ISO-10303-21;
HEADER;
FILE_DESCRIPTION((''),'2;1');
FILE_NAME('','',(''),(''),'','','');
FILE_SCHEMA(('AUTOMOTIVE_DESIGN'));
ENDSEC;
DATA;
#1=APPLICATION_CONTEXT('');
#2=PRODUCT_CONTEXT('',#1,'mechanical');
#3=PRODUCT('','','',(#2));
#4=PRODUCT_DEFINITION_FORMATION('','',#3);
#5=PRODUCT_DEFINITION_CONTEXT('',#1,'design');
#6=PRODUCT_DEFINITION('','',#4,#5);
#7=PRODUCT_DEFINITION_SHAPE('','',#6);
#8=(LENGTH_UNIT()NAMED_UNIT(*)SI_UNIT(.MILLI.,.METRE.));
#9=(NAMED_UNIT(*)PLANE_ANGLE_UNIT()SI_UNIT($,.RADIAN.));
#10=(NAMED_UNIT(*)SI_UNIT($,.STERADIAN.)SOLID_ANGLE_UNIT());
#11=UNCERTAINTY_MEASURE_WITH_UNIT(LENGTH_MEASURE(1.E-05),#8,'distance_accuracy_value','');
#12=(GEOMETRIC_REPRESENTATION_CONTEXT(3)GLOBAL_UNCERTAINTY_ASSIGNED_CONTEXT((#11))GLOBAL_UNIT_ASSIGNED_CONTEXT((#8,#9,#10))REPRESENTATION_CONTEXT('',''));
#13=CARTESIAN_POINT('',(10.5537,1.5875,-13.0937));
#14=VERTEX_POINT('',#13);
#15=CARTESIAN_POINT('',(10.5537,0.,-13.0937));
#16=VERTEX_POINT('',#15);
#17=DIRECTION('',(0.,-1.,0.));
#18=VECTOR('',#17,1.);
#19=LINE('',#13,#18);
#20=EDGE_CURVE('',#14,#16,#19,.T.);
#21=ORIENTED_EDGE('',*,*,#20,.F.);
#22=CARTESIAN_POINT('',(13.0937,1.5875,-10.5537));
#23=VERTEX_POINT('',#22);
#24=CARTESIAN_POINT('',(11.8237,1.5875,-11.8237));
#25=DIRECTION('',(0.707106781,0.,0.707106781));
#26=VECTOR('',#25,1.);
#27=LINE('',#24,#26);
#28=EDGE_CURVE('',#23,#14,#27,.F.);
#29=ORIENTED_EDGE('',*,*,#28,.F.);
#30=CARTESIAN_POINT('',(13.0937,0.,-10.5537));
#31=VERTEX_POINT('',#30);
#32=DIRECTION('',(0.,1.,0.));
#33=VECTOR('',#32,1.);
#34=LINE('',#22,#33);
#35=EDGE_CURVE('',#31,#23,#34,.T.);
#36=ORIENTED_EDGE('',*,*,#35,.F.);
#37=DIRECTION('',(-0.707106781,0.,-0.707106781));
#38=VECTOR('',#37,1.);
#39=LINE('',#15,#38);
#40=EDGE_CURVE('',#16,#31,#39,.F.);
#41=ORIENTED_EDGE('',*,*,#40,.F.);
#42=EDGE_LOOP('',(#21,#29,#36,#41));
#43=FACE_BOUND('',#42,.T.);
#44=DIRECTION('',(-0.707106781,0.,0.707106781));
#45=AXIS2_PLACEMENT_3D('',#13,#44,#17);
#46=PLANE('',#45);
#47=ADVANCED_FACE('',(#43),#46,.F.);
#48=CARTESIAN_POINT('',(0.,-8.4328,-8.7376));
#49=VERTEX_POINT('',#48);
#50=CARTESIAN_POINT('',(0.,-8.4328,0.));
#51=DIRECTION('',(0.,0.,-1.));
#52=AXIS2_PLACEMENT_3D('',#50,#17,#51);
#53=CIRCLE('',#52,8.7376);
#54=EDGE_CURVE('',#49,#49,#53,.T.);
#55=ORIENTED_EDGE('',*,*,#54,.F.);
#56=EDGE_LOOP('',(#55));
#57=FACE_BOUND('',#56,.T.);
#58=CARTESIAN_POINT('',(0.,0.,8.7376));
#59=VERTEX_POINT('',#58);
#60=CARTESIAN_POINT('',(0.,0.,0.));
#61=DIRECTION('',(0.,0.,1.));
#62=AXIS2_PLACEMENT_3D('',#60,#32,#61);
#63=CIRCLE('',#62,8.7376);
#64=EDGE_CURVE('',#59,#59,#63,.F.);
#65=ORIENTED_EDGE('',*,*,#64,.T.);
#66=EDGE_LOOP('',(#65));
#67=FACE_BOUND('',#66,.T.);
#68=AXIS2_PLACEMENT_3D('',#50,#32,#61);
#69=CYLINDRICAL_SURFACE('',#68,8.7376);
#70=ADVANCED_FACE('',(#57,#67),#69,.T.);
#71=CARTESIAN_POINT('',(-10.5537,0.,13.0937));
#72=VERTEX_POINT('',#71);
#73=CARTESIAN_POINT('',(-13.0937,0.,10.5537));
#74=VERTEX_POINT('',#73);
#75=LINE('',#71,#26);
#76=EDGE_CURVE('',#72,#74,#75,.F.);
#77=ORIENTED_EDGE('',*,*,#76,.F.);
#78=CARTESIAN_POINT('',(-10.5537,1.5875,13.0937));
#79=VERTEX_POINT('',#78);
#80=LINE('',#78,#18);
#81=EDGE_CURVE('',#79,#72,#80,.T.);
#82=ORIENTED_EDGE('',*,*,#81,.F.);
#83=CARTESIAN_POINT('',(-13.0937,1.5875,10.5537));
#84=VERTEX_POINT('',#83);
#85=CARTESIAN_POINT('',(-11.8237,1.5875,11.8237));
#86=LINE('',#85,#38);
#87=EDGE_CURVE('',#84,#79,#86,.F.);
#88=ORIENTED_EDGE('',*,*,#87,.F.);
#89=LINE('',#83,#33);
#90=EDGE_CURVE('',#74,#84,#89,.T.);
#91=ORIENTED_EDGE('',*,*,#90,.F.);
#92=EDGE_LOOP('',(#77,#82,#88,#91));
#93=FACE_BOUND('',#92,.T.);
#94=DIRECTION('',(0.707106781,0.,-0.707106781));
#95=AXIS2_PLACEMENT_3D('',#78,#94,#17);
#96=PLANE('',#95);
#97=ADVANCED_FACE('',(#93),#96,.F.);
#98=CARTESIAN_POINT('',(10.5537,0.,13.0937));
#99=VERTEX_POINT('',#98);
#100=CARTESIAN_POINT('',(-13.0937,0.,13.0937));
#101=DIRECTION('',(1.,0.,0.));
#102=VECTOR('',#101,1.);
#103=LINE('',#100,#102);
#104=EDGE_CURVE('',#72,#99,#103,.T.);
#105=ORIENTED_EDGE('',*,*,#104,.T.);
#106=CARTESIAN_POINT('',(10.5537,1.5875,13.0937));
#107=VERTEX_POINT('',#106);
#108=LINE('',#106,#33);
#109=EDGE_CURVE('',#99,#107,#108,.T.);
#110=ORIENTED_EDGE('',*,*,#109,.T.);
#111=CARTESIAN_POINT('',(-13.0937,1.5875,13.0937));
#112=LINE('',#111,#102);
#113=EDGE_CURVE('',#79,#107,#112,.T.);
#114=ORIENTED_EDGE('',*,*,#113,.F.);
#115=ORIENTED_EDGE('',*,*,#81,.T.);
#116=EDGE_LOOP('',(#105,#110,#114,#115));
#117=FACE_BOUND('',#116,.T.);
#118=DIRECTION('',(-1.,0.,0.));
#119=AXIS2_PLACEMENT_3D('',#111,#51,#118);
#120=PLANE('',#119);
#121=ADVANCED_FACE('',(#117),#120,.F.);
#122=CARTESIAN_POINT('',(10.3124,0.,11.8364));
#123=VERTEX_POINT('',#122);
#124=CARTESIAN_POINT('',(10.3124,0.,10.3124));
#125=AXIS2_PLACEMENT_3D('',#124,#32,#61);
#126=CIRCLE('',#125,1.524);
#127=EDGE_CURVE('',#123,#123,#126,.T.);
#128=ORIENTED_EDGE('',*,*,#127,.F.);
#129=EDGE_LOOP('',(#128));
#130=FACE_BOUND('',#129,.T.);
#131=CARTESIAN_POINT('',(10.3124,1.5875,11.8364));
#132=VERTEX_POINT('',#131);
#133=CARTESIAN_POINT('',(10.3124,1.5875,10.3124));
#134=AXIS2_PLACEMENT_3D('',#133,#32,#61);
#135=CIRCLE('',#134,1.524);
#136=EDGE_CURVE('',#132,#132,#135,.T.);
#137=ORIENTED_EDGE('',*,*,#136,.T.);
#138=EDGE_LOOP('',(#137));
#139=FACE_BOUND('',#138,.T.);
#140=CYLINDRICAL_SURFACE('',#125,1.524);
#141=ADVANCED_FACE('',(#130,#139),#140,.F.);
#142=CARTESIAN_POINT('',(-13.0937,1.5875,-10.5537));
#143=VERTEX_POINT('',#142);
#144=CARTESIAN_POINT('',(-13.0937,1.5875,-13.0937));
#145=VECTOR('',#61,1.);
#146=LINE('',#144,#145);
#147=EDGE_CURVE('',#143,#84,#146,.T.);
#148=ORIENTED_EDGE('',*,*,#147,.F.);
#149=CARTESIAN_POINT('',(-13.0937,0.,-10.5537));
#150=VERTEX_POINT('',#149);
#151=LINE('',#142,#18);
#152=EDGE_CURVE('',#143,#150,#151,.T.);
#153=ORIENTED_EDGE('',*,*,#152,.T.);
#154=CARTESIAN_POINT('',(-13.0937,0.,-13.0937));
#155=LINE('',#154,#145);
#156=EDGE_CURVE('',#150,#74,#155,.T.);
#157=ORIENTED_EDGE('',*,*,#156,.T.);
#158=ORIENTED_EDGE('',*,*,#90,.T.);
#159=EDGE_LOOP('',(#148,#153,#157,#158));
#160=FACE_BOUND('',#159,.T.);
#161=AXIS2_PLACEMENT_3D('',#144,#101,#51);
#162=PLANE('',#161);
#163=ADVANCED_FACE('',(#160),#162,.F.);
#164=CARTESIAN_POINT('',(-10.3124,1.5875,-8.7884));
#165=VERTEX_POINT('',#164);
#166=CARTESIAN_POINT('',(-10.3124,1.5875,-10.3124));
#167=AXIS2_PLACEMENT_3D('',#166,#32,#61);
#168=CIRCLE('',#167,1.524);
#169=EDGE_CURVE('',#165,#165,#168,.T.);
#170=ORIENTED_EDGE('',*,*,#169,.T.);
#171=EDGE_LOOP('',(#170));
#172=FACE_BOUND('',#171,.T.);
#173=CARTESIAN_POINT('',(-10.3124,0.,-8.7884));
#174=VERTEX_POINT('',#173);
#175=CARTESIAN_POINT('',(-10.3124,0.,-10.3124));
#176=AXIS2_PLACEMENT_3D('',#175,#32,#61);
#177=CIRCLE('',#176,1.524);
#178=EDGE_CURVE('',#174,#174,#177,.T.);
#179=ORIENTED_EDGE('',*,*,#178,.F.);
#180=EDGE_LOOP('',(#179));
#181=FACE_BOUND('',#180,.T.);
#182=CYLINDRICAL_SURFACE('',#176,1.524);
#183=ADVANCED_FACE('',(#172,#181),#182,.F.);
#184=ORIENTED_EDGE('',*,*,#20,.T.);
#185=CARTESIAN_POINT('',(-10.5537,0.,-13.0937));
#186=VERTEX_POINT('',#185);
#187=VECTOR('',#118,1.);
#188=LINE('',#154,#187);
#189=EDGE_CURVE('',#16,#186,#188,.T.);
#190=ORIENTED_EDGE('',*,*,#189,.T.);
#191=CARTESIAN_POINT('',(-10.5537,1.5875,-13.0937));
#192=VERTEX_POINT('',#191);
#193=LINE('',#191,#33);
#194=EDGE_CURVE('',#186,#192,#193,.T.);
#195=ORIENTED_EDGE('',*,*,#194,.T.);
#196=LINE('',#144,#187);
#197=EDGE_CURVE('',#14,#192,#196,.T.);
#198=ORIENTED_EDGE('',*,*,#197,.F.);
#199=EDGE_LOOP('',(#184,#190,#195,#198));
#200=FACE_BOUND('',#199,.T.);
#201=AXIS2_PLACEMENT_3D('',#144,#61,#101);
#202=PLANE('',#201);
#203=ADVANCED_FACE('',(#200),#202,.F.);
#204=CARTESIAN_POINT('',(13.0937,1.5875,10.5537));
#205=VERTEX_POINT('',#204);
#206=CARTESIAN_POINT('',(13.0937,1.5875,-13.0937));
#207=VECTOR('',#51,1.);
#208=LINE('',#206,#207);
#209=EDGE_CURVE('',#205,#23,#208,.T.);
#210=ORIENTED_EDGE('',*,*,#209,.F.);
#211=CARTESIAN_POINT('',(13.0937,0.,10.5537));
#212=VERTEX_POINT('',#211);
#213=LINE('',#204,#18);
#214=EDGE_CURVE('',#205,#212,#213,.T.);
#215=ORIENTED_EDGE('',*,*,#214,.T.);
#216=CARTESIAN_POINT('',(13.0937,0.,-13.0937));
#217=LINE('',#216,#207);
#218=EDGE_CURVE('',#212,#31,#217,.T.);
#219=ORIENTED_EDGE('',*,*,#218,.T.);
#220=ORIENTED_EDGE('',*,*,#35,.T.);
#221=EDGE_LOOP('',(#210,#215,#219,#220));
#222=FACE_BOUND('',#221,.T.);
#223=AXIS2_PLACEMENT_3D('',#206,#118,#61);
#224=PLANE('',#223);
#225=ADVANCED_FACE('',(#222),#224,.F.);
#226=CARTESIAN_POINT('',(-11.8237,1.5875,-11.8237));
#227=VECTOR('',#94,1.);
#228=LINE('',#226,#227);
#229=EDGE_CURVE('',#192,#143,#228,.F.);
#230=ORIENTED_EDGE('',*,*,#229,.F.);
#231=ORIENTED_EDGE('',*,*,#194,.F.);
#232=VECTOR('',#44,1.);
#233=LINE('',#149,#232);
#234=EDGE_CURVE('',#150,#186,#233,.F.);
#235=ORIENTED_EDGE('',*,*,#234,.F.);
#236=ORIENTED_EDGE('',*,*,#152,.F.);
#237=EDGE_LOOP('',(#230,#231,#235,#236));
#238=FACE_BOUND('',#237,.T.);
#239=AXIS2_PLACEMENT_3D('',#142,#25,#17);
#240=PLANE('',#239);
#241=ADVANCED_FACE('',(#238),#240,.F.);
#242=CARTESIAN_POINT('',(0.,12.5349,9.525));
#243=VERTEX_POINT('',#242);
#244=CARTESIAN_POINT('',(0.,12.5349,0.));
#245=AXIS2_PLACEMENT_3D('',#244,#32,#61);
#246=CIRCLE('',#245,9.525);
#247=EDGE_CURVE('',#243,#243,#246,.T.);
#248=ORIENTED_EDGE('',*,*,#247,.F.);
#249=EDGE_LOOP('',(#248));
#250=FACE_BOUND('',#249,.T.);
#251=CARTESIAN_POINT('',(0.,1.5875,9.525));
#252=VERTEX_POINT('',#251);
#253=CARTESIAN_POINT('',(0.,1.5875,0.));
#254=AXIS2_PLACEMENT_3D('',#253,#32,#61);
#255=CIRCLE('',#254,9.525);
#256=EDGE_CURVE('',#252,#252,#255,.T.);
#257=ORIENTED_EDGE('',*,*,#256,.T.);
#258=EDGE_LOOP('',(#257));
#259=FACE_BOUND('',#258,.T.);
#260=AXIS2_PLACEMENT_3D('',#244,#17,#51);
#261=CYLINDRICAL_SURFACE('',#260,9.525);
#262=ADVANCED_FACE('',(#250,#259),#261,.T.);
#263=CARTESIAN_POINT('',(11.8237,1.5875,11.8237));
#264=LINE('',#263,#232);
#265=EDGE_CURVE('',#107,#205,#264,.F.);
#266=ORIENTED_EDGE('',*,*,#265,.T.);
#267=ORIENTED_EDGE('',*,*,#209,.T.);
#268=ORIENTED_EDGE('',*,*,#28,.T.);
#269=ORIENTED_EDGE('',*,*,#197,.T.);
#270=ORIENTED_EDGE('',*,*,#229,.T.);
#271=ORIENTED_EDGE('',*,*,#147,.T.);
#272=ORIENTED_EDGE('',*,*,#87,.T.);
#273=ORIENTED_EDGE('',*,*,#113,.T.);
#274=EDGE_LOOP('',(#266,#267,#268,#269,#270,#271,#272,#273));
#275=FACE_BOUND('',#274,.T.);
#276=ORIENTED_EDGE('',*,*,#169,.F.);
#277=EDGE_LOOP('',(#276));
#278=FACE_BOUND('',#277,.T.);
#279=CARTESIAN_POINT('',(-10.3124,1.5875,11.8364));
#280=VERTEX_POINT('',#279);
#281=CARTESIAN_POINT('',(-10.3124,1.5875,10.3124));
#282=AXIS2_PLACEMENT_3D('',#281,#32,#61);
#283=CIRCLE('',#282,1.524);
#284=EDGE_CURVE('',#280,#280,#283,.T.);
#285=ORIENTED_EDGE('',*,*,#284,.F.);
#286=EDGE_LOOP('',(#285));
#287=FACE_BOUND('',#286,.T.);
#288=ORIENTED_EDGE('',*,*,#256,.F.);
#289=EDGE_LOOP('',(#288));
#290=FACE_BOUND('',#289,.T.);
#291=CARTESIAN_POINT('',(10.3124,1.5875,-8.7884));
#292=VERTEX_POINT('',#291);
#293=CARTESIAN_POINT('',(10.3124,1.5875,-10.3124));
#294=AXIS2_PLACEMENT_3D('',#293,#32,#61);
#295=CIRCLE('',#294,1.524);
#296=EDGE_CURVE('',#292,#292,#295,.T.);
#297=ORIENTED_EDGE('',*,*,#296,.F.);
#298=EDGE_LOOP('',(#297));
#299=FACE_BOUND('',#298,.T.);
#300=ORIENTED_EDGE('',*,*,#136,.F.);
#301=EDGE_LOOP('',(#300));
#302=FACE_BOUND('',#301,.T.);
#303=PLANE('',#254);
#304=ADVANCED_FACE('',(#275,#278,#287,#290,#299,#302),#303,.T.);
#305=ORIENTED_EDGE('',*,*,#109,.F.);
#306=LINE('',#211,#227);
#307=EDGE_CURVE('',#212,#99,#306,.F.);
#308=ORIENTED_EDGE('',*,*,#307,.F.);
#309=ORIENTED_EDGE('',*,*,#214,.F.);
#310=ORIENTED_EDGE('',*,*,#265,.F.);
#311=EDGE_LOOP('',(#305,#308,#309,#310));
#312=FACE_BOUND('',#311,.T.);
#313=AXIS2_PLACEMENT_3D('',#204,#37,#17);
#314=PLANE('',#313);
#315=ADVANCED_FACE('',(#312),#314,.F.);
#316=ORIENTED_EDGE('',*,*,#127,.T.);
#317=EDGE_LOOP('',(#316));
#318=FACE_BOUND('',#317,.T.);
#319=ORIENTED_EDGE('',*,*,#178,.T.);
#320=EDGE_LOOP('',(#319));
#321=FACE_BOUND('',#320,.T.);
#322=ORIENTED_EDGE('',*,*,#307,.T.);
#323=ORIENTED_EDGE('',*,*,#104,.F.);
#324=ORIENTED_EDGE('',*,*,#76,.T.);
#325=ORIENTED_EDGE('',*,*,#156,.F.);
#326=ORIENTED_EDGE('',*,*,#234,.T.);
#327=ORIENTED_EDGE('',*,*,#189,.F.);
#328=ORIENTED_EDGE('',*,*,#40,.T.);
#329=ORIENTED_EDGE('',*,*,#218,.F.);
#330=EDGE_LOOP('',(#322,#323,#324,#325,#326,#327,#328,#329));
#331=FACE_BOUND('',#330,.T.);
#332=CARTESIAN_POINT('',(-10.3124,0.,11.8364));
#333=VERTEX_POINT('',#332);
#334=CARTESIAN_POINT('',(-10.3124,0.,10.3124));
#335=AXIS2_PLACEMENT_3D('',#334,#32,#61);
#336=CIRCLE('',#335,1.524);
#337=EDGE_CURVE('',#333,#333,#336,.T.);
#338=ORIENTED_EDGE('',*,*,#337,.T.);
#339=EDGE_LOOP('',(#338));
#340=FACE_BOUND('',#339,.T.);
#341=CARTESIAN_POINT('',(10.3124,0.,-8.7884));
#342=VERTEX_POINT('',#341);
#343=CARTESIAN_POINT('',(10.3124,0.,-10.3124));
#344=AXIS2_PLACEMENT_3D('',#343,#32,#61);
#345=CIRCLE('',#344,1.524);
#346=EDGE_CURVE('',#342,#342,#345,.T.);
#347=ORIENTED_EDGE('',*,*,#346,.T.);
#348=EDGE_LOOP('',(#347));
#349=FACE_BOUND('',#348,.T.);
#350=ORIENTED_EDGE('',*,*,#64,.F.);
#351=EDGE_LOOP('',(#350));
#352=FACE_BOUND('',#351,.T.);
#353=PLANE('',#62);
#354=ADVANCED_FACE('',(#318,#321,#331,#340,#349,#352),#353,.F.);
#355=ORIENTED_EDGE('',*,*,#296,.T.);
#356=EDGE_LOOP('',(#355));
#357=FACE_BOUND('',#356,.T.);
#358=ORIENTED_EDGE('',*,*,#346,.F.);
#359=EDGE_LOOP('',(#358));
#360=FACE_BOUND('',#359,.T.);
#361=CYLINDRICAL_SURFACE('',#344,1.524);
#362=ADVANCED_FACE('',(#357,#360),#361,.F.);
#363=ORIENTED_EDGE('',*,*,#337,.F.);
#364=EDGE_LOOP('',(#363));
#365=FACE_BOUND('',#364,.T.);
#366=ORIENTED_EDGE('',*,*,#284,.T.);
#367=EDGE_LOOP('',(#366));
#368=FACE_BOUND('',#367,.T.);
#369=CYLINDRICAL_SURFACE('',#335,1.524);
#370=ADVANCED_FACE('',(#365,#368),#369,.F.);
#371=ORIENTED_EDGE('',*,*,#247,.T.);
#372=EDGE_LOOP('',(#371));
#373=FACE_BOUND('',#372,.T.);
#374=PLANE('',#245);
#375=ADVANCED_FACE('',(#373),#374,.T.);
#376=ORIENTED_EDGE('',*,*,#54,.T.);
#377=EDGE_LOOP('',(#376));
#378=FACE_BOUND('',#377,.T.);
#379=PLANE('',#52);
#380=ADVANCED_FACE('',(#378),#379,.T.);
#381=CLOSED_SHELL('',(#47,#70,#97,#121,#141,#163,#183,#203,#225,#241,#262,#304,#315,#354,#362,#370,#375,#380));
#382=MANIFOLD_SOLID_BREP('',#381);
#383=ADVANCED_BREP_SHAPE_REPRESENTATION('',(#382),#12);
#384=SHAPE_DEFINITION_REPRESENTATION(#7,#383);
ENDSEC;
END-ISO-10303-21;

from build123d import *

# Parameters (mm, degrees)
SKETCH1_W           = 26.1874
SKETCH1_H           = 26.1874
BOSS_EXTRUDE1_DEPTH = 1.5875
CHAMFER1_SIZE       = 2.54
SKETCH2_R           = 1.524
CUT_EXTRUDE1_DEPTH  = 19.585212284
SKETCH3_R           = 9.525
BOSS_EXTRUDE2_DEPTH = 10.9474
SKETCH4_R           = 8.7376
BOSS_EXTRUDE3_DEPTH = 8.4328


with BuildPart() as part:
    # Sketch1 → Boss-Extrude1 (new body)
    with BuildSketch(Plane(origin=(0, 0, 0), x_dir=(1, 0, 0), z_dir=(0, 1, 0))):
        Rectangle(SKETCH1_W, SKETCH1_H)
    extrude(amount=BOSS_EXTRUDE1_DEPTH)

    # Chamfer1
    chamfer1_edges = [part.edges().sort_by_distance(p)[0] for p in [
        (13.0937, 0.79375, 13.0937),
        (-13.0937, 0.79375, 13.0937),
        (-13.0937, 0.79375, -13.0937),
        (13.0937, 0.79375, -13.0937),
    ]]
    chamfer(chamfer1_edges, length=CHAMFER1_SIZE)

    # Sketch2 → Cut-Extrude1 (cut, through all)
    with BuildSketch(Plane(origin=(0, 1.5875, 0), x_dir=(1, 0, 0), z_dir=(0, 1, 0))):
        with Locations(Location((-10.3124, 10.3124, 0), (0, 0, 270))):
            Circle(SKETCH2_R)
        with Locations(Location((10.3124, 10.3124, 0), (0, 0, 270))):
            Circle(SKETCH2_R)
        with Locations(Location((10.3124, -10.3124, 0), (0, 0, 270))):
            Circle(SKETCH2_R)
        with Locations(Location((-10.3124, -10.3124, 0), (0, 0, 270))):
            Circle(SKETCH2_R)
    extrude(amount=-CUT_EXTRUDE1_DEPTH, mode=Mode.SUBTRACT)

    # Sketch3 → Boss-Extrude2 (add)
    with BuildSketch(Plane(origin=(0, 1.5875, 0), x_dir=(1, 0, 0), z_dir=(0, 1, 0))):
        with Locations(Location((0, 0, 0), (0, 0, 270))):
            Circle(SKETCH3_R)
    extrude(amount=BOSS_EXTRUDE2_DEPTH)

    # Sketch4 → Boss-Extrude3 (add)
    with BuildSketch(Plane.XZ):
        with Locations(Location((0, 0, 0), (0, 0, 90))):
            Circle(SKETCH4_R)
    extrude(amount=BOSS_EXTRUDE3_DEPTH)


solid = part.part
